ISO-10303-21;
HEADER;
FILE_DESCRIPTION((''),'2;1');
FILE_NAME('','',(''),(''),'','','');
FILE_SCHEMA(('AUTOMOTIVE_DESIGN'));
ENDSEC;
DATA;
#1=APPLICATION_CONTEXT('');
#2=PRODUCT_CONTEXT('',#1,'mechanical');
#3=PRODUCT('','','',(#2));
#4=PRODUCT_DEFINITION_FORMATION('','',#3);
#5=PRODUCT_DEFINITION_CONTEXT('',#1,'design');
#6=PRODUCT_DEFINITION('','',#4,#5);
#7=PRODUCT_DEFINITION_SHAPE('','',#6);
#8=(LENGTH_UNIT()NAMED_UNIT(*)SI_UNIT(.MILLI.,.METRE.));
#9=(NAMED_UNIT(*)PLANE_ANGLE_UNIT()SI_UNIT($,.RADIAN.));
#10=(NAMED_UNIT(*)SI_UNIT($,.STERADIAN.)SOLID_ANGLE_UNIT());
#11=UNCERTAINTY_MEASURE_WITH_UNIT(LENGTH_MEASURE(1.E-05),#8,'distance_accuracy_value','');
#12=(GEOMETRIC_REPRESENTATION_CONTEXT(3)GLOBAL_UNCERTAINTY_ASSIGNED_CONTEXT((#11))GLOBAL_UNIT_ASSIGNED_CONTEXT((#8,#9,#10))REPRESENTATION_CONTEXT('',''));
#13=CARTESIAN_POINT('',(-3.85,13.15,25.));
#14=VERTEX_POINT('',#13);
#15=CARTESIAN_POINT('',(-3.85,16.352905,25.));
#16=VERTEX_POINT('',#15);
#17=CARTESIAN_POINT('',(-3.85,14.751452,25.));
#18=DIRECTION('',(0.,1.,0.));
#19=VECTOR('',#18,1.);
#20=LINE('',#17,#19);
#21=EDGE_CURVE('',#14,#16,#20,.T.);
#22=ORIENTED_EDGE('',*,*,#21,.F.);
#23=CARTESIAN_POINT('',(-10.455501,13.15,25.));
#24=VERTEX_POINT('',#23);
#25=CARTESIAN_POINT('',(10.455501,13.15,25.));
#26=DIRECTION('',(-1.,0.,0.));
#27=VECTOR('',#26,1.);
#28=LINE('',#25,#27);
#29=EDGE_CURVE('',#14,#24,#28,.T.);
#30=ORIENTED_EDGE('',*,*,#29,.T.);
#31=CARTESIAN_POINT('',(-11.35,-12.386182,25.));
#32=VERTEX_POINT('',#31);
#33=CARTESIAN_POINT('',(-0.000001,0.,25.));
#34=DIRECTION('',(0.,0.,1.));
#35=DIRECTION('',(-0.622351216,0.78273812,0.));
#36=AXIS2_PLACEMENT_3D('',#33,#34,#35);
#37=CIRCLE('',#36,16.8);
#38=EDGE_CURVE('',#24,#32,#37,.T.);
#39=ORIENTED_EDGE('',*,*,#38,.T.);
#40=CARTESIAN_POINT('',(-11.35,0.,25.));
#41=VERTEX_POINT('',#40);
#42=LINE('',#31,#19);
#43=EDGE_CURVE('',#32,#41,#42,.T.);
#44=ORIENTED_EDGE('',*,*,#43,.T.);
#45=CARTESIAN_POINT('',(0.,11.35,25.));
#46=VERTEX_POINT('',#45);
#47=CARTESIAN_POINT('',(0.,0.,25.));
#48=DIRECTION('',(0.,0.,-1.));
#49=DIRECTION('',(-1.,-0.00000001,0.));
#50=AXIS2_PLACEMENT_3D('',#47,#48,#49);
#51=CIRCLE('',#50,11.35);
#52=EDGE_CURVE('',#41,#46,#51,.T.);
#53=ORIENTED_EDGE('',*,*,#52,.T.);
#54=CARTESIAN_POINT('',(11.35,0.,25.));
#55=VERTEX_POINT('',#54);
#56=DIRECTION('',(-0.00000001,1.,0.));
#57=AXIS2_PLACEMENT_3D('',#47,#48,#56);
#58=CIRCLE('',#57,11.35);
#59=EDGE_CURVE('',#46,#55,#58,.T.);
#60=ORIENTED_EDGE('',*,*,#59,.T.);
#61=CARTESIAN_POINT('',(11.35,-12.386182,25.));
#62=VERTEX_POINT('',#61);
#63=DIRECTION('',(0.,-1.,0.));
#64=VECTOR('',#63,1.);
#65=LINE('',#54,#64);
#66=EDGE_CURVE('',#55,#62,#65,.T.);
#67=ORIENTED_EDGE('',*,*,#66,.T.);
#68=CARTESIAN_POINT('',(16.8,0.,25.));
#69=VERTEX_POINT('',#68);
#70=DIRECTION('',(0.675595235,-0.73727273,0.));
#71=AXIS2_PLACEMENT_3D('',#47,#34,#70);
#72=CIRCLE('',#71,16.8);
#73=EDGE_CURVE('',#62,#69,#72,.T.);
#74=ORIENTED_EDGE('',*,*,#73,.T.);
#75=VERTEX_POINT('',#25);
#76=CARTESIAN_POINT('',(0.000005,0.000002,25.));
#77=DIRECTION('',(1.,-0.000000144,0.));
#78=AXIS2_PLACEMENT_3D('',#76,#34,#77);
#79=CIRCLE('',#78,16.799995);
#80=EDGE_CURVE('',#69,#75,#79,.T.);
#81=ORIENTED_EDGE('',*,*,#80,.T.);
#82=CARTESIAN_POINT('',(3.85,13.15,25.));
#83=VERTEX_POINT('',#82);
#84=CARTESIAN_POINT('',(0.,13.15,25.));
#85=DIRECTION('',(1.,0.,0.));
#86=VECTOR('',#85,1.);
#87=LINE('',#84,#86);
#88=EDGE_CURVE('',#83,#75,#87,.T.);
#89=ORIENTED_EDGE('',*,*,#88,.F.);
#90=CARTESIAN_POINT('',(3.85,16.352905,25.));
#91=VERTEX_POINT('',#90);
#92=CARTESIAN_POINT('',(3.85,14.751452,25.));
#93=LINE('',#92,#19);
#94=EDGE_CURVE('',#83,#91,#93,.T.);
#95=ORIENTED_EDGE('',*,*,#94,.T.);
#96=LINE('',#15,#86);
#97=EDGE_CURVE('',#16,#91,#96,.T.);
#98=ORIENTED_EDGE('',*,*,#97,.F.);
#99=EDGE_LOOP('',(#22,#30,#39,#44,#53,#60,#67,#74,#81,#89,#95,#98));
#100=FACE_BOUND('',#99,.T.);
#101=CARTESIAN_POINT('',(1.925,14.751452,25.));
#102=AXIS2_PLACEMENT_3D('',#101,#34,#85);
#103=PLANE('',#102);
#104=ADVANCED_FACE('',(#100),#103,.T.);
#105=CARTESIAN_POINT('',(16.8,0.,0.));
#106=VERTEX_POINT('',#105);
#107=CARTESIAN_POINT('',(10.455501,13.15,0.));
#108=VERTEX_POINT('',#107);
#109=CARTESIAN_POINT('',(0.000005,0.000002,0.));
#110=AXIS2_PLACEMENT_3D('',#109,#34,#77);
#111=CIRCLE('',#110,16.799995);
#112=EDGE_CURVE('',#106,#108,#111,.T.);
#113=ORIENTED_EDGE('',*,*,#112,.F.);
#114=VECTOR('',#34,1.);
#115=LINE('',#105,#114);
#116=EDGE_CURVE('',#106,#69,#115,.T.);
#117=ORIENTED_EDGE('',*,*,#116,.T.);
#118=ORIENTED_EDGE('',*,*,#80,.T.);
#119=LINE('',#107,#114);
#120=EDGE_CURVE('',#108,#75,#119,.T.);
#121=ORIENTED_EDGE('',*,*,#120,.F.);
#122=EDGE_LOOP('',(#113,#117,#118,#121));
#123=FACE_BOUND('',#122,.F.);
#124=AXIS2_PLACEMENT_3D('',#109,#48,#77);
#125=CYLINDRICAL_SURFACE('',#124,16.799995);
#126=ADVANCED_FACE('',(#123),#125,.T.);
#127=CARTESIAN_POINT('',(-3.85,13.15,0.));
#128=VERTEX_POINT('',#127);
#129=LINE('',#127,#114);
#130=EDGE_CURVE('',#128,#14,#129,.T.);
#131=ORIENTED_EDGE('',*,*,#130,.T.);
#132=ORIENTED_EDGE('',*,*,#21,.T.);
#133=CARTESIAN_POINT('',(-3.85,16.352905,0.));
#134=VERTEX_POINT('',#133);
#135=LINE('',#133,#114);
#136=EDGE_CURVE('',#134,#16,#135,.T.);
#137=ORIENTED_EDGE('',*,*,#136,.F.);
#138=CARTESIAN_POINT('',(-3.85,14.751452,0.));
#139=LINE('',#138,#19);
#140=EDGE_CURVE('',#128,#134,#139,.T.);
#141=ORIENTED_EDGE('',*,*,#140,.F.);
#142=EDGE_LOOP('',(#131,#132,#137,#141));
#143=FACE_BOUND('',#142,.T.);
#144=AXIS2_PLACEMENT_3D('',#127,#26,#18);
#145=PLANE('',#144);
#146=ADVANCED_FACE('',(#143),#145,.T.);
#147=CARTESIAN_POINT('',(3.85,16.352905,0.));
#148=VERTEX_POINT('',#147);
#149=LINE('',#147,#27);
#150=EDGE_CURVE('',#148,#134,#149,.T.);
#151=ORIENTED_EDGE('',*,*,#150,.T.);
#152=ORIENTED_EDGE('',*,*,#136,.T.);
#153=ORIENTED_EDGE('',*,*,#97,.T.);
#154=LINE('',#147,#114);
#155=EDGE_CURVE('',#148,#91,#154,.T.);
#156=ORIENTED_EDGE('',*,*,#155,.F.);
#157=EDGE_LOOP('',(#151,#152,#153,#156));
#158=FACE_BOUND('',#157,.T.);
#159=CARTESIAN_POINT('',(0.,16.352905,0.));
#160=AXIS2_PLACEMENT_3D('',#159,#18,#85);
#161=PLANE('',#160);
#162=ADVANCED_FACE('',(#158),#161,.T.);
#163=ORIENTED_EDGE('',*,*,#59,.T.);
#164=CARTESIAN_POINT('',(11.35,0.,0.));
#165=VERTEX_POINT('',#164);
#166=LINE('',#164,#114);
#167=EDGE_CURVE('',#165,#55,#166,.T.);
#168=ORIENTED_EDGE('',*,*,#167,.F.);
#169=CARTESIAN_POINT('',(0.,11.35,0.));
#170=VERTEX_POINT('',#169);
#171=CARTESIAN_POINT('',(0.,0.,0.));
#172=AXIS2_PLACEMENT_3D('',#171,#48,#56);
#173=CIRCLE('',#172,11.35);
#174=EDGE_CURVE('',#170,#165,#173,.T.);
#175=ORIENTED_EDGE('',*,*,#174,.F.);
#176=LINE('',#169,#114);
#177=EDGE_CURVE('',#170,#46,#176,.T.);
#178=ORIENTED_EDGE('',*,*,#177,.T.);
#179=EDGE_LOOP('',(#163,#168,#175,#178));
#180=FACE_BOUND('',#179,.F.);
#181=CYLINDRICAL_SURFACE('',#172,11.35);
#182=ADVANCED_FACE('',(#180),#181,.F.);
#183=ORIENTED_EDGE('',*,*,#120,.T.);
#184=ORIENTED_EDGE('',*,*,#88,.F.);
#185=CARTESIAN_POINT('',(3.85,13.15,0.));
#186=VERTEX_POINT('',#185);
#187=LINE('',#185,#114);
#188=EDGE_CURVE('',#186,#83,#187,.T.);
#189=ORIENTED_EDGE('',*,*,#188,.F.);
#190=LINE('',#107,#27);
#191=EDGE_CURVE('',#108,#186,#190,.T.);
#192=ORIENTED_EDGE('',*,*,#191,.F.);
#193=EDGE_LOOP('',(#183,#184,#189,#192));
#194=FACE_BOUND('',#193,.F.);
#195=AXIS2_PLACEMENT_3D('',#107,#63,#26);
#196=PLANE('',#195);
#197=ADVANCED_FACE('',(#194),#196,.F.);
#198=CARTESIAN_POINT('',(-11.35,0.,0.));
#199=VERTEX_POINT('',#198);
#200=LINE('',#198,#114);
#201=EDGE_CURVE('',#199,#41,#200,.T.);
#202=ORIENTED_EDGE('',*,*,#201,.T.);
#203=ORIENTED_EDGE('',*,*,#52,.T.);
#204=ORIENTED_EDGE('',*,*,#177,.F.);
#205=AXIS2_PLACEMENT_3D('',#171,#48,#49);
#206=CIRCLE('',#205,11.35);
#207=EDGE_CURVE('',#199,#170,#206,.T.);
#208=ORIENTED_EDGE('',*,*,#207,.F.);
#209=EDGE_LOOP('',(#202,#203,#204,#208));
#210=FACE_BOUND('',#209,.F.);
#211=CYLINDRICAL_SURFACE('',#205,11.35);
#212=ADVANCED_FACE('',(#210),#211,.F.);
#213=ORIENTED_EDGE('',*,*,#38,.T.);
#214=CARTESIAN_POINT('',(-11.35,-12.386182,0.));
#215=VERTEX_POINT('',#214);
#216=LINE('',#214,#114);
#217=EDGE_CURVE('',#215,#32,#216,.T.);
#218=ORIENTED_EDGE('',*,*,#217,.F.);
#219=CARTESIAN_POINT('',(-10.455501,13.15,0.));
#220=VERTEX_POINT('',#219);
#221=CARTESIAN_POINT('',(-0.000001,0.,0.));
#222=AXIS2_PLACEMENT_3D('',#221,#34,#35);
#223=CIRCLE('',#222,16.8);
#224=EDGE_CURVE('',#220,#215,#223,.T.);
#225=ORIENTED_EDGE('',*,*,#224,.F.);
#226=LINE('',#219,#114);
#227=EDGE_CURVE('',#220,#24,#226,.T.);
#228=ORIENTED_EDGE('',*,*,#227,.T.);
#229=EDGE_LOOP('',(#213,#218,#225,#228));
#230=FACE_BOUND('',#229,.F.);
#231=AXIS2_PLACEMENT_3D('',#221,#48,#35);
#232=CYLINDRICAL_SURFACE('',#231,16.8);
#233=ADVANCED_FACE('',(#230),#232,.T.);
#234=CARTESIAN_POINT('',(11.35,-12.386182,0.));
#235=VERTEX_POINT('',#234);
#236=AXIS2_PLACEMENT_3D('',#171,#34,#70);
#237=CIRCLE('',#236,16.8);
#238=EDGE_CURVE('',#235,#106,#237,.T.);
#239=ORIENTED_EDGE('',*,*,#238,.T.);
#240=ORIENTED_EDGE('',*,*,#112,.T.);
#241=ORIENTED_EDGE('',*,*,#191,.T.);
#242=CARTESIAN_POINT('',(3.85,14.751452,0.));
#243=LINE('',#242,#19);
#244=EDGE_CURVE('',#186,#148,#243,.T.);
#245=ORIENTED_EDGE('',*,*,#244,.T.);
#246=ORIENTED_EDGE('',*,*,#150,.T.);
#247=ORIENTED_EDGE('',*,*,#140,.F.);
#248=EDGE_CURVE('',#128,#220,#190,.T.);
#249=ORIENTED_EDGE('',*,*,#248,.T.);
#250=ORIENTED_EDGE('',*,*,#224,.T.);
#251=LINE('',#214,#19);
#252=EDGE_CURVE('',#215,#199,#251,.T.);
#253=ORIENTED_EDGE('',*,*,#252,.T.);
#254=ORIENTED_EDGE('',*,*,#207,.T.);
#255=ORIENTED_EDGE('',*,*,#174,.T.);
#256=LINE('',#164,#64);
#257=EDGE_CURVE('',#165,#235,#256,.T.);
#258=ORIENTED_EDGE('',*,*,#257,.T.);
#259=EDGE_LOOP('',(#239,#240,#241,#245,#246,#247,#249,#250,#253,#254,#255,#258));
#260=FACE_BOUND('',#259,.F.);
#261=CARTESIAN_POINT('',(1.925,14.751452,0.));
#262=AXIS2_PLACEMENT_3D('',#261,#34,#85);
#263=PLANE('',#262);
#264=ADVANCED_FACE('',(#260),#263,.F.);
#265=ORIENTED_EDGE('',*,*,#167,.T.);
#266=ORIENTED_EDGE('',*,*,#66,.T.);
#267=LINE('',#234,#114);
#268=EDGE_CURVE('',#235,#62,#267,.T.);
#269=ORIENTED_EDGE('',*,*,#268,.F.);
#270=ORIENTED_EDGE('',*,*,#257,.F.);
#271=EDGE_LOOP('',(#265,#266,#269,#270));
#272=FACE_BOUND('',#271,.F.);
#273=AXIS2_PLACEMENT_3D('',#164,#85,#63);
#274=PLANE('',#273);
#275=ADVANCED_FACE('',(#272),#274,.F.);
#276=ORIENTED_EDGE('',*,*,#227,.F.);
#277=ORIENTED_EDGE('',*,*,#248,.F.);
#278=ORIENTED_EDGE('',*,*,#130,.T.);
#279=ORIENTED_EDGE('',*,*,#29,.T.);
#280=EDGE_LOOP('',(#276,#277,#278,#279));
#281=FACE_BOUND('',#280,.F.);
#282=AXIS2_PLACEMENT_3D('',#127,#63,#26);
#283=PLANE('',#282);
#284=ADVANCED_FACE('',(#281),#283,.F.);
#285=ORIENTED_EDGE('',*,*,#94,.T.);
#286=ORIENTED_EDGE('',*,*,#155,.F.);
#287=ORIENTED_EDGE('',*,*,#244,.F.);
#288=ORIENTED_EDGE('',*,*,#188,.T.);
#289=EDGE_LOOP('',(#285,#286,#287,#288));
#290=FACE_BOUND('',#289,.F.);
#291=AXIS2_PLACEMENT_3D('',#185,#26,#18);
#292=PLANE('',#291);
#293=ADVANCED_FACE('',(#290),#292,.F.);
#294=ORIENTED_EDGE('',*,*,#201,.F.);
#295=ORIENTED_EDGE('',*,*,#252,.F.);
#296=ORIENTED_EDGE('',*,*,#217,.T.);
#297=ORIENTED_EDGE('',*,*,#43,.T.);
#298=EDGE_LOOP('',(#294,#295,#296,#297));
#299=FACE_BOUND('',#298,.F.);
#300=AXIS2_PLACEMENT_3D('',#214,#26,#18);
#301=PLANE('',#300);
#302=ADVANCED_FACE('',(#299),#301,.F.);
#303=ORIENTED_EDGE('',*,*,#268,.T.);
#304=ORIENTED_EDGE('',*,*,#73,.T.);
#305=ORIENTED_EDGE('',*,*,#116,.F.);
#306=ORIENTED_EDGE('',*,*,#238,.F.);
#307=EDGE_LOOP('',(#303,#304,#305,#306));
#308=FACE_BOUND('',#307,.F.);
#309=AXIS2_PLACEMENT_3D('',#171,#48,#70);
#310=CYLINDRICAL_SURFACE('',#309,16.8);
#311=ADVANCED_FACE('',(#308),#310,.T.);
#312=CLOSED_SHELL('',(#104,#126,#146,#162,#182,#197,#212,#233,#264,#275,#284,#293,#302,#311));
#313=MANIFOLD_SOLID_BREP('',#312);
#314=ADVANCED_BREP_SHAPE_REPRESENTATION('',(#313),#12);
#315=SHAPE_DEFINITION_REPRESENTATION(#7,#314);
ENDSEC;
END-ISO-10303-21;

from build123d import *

# Parameters (mm, degrees)
F0_W     = 3.85
F0_H     = 3.202905
F1_DEPTH = 25


with BuildPart() as f1:
    # F0 (on Top) → F1 (new body)
    with BuildSketch(Plane.XY):
        with BuildLine():
            Line((0, 11.35), (0, 13.15))
            Line((0, 13.15), (-3.85, 13.15))
            Line((-3.85, 13.15), (-10.455501, 13.15))
            ThreePointArc((-10.455501, 13.15), (-16.789703, 0.588121), (-11.35, -12.386182))
            Line((-11.35, -12.386182), (-11.35, 0))
            ThreePointArc((-11.35, 0), (-8.025662, 8.025662), (0, 11.35))
        make_face()
        with BuildLine():
            ThreePointArc((11.35, -12.386182), (15.377256, -6.766092), (16.8, 0))
            ThreePointArc((16.8, 0), (15.130969, 7.30026), (10.455501, 13.15))
            Line((10.455501, 13.15), (3.85, 13.15))
            Line((3.85, 13.15), (0, 13.15))
            Line((0, 13.15), (0, 11.35))
            ThreePointArc((0, 11.35), (8.025662, 8.025662), (11.35, 0))
            Line((11.35, 0), (11.35, -12.386182))
        make_face()
        with Locations((-1.925, 14.751452)):
            Rectangle(F0_W, F0_H)
        with Locations((1.925, 14.751452)):
            Rectangle(F0_W, F0_H)
    extrude(amount=F1_DEPTH)


solid = f1.part
